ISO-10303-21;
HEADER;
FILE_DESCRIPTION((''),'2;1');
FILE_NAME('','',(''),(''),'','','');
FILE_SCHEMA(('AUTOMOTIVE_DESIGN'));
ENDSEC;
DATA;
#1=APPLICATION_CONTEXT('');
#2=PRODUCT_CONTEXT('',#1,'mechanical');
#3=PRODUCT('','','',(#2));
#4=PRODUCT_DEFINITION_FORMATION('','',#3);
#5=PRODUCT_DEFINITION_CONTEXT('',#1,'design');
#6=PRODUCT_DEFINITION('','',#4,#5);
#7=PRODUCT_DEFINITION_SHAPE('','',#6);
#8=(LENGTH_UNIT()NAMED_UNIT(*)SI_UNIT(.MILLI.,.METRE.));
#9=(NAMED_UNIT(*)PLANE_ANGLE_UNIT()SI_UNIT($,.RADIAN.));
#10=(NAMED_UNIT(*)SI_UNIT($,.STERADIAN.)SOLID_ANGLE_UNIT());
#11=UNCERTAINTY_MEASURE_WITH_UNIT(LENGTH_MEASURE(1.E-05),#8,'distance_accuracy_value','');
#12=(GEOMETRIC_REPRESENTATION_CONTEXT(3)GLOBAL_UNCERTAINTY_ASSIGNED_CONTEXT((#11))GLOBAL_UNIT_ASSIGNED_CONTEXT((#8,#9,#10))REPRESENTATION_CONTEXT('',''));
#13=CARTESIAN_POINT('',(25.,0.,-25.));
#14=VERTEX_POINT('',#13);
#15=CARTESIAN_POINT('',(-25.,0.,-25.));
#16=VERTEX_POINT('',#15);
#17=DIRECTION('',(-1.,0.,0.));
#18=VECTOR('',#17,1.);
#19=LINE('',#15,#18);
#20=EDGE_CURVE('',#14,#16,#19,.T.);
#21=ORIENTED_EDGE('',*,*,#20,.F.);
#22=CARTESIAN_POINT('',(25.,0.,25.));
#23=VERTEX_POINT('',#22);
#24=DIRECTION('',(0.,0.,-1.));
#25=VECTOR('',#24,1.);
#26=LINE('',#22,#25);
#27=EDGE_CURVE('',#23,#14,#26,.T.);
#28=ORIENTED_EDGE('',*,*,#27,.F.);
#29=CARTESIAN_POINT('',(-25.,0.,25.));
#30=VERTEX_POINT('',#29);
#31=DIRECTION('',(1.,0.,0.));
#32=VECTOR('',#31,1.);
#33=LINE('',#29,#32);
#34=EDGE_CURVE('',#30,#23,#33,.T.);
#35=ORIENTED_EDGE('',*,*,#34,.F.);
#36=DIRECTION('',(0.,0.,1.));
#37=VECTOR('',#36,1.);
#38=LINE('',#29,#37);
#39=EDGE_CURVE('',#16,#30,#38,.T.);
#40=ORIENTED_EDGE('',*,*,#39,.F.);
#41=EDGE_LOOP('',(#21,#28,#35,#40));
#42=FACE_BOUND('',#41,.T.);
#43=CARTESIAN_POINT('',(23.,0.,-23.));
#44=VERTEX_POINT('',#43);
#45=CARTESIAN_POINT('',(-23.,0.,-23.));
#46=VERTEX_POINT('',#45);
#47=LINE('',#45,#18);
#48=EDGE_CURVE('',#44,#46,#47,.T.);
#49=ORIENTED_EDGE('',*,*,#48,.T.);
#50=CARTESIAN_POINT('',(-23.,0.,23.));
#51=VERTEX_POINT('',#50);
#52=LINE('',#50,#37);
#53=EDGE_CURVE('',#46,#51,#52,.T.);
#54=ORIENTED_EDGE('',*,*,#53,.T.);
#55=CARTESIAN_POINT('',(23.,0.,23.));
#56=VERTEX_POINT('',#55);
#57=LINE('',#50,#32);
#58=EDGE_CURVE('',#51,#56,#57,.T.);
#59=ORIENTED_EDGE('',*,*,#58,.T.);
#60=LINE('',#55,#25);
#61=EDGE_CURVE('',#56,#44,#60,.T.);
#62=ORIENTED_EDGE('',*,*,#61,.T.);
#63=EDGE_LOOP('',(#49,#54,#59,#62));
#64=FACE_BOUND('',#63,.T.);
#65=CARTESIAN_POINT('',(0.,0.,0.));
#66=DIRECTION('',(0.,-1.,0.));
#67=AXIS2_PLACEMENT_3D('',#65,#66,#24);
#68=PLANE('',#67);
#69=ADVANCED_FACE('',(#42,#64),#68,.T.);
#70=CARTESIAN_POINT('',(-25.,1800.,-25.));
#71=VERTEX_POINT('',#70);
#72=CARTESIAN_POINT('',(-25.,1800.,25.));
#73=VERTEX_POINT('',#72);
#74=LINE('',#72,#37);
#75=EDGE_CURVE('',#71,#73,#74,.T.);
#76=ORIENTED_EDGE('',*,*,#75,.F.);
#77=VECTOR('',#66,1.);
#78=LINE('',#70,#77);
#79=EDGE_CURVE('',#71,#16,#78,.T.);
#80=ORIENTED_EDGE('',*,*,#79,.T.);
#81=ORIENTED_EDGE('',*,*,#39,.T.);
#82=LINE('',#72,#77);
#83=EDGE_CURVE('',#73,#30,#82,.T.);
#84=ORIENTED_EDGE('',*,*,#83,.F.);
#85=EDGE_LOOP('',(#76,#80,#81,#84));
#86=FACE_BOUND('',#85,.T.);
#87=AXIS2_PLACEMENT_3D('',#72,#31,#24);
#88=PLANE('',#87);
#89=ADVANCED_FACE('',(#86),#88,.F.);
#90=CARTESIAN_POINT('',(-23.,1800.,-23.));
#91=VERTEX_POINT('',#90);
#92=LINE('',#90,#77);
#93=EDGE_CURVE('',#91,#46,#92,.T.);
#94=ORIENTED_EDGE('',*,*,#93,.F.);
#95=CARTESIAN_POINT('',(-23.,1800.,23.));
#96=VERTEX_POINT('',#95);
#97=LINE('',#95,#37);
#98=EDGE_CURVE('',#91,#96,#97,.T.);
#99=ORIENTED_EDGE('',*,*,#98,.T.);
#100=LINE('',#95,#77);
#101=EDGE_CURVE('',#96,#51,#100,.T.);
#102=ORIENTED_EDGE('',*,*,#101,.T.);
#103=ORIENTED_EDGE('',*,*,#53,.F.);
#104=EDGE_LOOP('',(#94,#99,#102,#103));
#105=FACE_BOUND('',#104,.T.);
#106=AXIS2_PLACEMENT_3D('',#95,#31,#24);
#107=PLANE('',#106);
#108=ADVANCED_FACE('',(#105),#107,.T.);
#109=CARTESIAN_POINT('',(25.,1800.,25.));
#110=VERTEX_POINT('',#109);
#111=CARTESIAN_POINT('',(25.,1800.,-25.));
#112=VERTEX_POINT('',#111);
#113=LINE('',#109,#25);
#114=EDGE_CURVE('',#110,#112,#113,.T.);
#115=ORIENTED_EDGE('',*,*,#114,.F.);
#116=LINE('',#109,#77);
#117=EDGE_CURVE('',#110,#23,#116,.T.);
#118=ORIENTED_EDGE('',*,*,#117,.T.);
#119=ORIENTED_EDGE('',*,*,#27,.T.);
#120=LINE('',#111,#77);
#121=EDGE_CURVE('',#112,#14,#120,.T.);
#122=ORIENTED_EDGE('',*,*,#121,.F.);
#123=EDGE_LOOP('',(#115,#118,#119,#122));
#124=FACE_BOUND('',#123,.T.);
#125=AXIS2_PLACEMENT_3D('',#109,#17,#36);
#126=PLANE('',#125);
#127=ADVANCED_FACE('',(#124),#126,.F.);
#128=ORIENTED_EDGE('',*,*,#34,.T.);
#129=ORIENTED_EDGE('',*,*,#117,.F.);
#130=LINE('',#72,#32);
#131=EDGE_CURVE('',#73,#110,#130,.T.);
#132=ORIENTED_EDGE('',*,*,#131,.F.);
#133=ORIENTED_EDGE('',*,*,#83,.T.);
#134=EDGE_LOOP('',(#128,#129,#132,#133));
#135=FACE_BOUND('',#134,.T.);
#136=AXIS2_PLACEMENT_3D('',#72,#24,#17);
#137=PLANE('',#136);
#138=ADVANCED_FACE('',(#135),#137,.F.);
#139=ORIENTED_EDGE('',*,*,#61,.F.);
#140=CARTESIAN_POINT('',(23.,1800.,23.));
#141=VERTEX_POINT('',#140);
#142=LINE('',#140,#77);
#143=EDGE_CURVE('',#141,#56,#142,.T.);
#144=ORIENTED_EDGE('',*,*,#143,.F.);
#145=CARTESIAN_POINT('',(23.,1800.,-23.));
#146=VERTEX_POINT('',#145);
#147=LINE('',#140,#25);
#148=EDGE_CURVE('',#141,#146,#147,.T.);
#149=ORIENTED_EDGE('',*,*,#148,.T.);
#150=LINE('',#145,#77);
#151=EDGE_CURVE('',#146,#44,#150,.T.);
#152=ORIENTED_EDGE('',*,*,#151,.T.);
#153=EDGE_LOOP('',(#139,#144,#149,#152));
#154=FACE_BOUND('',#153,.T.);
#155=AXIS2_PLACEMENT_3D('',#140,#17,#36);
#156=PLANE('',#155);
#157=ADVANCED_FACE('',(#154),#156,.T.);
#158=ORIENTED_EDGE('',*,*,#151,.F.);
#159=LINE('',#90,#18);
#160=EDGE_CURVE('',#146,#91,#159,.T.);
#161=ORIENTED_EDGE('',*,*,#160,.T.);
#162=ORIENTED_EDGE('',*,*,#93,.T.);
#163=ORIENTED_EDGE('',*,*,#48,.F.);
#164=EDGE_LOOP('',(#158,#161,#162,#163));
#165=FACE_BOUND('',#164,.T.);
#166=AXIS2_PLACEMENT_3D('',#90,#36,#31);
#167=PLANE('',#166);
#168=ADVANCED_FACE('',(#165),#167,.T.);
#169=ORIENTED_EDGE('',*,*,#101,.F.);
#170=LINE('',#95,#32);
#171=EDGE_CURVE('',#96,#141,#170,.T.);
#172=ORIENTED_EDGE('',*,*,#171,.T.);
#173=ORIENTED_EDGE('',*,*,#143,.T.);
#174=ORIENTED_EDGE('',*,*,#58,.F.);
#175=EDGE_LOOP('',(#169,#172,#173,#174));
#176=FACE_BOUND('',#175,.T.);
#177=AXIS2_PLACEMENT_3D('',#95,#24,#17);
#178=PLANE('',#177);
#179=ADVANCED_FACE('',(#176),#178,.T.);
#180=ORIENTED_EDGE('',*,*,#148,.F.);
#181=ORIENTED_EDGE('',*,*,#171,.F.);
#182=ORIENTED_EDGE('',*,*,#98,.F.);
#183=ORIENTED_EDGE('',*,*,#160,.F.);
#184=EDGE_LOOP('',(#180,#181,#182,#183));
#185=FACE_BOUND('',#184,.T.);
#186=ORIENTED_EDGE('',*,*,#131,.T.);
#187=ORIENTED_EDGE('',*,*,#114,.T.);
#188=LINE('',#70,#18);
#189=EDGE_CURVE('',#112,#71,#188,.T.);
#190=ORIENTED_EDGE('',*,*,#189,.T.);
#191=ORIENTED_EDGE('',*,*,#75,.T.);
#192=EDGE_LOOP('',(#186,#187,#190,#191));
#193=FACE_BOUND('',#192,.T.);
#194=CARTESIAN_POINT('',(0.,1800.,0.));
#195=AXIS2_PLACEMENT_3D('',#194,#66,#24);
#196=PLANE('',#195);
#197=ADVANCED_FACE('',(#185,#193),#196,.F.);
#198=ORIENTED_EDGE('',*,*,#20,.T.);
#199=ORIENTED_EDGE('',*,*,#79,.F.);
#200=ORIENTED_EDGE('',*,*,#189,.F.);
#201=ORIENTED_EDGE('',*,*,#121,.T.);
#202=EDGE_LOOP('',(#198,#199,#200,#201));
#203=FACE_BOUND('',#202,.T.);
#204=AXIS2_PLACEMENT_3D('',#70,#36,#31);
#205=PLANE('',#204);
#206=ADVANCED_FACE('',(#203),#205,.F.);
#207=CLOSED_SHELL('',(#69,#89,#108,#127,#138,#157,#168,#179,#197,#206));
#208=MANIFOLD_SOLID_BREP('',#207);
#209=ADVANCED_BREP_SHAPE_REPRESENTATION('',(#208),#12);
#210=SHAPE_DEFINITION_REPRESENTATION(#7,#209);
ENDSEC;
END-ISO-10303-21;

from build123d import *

# Parameters (mm, degrees)
SKETCH1_W           = 50
SKETCH1_H           = 50
SKETCH1_W_2         = 46
SKETCH1_H_2         = 46
BOSS_EXTRUDE1_DEPTH = 1800


with BuildPart() as part:
    # Sketch1 → Boss-Extrude1 (new body)
    with BuildSketch(Plane(origin=(0, 0, 0), x_dir=(1, 0, 0), z_dir=(0, 1, 0))):
        Rectangle(SKETCH1_W, SKETCH1_H)
        Rectangle(SKETCH1_W_2, SKETCH1_H_2, mode=Mode.SUBTRACT)
    extrude(amount=BOSS_EXTRUDE1_DEPTH)


solid = part.part
